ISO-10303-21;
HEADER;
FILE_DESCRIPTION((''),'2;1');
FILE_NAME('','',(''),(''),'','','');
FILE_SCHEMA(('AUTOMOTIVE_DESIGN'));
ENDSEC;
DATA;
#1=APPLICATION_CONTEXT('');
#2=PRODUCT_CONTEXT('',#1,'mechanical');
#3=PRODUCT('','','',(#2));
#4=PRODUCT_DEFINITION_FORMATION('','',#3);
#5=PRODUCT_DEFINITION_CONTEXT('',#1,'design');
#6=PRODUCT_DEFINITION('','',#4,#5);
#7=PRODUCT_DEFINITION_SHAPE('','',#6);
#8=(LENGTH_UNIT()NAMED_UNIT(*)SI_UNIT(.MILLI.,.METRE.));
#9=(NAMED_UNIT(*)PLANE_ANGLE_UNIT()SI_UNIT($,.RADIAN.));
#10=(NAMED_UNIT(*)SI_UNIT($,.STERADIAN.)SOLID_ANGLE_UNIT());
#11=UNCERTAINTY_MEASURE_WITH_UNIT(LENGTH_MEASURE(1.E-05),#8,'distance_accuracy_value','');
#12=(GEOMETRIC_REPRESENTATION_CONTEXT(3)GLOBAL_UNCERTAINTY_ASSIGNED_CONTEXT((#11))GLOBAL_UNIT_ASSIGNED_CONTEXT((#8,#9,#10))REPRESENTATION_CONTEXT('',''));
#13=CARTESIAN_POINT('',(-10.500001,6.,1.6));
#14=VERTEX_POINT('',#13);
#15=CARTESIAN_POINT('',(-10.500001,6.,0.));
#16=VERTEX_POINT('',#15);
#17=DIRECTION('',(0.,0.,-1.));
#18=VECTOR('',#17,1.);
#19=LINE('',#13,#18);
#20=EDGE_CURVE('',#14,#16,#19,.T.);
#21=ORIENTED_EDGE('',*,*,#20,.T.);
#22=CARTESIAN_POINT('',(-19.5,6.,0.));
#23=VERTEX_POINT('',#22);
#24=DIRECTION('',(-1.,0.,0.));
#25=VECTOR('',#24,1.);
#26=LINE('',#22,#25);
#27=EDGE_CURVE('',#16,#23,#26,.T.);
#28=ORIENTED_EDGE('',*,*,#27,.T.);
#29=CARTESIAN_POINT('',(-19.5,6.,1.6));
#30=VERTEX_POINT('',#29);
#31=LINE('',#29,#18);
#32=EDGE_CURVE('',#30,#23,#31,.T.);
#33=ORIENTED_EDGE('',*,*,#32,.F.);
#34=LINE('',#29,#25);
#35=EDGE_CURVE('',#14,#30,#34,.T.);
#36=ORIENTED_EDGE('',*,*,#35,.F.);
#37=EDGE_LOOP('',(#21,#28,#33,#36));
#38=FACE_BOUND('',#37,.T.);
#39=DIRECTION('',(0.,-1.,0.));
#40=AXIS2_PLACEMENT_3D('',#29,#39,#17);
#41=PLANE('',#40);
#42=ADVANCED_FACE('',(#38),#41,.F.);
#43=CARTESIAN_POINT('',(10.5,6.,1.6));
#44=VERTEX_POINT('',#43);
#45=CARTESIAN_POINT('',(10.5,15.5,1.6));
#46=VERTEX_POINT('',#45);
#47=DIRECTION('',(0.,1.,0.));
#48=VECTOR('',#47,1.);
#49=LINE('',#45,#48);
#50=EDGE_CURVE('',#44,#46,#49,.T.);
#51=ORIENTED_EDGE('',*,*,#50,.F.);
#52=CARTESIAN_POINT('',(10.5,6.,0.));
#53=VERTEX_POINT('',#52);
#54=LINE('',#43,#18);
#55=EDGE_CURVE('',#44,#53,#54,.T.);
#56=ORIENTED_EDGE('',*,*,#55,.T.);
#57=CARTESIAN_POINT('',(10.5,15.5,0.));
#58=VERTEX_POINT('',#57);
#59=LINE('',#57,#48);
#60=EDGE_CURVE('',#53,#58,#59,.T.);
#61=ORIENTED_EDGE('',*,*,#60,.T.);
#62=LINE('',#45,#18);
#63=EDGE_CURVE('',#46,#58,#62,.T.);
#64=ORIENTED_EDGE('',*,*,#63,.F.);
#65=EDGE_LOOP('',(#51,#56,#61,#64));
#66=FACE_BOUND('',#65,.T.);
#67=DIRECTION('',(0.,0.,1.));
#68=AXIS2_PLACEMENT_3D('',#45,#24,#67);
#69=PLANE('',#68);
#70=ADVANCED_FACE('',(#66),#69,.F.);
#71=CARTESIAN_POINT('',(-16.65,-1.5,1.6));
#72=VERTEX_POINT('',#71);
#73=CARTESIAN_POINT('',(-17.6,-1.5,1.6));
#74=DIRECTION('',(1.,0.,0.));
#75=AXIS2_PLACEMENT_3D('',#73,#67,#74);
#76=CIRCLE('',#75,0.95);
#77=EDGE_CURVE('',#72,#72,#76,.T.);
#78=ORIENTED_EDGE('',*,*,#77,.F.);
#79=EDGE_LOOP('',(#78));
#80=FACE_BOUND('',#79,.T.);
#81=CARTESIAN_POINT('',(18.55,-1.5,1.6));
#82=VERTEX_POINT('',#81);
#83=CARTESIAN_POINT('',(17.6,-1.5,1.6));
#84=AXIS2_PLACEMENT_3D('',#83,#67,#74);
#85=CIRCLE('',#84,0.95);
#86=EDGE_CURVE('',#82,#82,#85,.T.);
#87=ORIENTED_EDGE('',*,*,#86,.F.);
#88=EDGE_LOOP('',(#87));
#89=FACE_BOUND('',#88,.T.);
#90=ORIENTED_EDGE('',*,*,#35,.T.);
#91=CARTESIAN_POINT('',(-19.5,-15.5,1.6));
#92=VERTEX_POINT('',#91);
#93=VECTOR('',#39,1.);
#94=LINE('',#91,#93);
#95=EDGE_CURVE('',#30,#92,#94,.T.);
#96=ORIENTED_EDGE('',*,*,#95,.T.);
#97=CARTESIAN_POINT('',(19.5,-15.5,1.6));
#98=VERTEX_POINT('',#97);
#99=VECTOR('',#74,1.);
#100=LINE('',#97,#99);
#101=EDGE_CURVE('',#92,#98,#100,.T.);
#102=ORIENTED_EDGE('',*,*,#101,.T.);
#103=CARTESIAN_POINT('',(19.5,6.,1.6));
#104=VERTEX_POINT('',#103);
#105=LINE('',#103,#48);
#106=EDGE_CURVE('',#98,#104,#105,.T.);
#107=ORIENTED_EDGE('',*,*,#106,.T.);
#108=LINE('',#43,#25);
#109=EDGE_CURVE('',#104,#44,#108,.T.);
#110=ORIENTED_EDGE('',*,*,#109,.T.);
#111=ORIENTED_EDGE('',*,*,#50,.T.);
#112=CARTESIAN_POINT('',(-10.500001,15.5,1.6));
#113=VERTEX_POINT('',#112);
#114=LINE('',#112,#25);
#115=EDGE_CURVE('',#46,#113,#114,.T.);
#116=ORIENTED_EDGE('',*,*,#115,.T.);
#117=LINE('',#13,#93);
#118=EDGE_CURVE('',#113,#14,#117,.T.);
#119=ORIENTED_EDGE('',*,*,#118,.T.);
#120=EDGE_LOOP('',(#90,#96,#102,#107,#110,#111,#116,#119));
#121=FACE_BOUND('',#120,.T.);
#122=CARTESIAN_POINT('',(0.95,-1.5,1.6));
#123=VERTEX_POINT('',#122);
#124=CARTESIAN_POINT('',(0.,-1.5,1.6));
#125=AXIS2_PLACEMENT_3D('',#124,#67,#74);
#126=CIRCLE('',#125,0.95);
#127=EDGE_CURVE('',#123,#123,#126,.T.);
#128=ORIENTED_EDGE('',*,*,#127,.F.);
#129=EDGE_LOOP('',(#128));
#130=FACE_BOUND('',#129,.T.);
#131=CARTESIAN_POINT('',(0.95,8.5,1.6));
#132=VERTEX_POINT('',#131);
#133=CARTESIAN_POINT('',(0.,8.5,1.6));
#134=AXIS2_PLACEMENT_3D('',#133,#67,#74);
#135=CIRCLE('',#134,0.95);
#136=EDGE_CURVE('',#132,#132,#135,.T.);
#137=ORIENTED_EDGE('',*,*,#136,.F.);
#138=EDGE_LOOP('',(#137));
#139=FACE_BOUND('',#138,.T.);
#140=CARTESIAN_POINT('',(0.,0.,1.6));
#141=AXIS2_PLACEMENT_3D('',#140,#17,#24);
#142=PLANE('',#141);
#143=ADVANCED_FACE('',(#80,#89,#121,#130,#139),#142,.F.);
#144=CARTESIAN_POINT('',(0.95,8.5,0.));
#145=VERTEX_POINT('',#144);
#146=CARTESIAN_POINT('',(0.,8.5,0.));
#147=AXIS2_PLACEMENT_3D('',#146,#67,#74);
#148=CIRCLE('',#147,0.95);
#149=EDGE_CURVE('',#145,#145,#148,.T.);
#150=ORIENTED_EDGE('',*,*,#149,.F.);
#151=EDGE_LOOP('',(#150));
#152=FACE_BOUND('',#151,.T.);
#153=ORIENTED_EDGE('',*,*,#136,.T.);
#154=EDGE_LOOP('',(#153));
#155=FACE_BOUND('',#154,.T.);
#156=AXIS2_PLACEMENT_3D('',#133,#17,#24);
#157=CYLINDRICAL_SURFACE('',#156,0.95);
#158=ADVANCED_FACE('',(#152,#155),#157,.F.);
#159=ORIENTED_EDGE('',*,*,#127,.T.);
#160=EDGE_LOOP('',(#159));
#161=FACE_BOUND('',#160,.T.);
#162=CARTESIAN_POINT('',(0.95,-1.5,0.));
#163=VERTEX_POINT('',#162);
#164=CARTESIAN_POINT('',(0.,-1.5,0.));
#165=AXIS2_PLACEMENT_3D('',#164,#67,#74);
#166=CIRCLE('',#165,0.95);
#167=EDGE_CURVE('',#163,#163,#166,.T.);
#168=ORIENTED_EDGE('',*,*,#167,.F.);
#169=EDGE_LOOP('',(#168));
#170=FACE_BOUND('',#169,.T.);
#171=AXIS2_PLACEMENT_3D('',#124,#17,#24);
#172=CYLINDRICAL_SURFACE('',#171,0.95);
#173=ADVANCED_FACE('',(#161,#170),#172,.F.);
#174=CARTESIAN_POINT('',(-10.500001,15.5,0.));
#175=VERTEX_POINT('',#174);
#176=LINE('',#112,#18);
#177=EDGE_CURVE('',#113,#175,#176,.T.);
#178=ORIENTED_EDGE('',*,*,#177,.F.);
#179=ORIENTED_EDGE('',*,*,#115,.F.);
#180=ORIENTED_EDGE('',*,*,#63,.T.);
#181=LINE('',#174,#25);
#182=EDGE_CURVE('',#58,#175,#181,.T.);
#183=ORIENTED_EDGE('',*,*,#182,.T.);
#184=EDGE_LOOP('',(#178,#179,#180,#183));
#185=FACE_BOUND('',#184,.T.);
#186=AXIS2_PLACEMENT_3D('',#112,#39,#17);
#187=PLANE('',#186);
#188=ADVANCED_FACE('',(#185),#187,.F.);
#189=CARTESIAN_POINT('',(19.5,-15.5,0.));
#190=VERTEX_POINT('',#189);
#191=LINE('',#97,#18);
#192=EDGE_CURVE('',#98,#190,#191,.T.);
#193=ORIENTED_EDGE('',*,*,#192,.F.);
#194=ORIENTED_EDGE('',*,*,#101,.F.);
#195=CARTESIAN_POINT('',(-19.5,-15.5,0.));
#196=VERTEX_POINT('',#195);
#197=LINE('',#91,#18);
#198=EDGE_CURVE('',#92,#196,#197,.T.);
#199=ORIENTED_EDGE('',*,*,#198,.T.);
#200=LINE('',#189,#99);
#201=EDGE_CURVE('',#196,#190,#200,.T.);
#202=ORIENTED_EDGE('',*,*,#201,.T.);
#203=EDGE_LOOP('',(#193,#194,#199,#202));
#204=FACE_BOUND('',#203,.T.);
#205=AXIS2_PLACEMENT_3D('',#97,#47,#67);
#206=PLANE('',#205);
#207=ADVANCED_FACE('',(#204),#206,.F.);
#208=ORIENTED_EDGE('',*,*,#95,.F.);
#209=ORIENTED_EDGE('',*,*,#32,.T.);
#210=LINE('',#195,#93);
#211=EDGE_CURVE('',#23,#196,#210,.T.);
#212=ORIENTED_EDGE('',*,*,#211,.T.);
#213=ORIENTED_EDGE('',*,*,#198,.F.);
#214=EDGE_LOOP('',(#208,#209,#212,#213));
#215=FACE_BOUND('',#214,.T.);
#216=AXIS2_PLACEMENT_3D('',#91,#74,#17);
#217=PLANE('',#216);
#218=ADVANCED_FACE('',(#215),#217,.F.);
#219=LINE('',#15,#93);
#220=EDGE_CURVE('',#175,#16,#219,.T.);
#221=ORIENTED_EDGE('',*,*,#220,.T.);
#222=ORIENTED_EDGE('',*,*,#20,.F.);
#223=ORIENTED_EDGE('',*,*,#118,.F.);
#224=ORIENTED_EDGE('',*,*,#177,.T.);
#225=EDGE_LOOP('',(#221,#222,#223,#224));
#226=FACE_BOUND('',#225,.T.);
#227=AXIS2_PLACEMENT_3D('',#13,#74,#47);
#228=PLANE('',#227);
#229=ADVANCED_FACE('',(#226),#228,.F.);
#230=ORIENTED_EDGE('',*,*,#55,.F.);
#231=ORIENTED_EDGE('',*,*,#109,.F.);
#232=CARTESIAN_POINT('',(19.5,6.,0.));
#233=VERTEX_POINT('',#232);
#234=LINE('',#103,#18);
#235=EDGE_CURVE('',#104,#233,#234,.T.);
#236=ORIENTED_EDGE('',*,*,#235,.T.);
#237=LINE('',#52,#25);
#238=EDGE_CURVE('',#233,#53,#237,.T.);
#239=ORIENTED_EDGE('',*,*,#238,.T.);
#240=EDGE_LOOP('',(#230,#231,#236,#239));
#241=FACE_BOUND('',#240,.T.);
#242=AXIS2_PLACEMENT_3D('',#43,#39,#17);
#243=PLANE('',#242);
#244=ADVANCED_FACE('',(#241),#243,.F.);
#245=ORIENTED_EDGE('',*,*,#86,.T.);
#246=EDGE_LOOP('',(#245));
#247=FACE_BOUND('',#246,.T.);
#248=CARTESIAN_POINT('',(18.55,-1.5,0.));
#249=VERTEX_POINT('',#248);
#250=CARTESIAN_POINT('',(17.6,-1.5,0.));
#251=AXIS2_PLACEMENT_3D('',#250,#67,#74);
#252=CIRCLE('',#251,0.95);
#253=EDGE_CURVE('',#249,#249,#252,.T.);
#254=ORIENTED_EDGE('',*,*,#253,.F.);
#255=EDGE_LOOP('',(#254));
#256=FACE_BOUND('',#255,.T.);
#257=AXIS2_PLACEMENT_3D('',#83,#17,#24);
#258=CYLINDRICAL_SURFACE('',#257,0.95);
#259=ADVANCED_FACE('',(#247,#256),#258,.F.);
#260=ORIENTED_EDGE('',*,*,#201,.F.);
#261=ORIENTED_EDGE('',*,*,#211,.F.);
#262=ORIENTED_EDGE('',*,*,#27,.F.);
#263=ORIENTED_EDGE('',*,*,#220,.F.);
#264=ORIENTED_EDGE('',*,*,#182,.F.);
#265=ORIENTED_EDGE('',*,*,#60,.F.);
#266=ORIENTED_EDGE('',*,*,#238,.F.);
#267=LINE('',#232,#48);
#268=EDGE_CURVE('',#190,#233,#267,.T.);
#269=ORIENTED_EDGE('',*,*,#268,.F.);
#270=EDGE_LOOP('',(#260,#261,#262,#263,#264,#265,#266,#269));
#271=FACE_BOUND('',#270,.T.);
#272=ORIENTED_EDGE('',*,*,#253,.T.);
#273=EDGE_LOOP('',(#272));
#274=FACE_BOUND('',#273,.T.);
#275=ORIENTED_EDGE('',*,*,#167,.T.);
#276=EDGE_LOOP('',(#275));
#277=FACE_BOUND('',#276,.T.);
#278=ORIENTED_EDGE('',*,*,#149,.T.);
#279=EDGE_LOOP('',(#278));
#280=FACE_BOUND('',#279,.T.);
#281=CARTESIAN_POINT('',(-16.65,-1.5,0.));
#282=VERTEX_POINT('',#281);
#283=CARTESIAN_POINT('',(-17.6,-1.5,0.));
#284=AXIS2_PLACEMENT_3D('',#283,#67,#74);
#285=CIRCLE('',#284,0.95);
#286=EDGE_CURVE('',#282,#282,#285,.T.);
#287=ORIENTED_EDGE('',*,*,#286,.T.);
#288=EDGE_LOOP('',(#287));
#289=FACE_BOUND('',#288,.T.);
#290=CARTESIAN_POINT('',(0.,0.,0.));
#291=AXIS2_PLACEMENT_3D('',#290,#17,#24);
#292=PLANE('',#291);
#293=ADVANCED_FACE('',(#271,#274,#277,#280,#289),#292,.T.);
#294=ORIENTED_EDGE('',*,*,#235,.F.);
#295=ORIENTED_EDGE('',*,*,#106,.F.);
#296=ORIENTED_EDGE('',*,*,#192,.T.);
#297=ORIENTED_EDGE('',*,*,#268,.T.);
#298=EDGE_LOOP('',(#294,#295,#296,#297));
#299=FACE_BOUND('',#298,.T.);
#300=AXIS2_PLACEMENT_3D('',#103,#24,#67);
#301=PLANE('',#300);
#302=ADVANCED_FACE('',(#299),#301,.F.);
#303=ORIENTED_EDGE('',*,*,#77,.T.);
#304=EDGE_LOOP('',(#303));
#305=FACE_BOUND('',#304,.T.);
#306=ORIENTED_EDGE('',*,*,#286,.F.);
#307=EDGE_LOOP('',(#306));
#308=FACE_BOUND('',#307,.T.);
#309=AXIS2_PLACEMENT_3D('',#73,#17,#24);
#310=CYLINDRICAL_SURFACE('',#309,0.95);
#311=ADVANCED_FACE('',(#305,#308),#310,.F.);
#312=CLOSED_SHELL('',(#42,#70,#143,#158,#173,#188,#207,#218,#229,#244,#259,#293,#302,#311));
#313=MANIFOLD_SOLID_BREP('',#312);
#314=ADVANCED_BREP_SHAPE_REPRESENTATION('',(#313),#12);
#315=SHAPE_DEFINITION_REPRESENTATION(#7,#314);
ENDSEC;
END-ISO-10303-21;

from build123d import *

# Parameters (mm, degrees)
SKETCH_1_R      = 0.95
EXTRUDE_1_DEPTH = 1.6


with BuildPart() as part:
    # 草图1 → 凸台-拉伸1 (new body)
    with BuildSketch(Plane.XY):
        Polygon((-19.5, 6), (-10.500000736, 6), (-10.500000736, 15.5), (10.5, 15.5), (10.5, 6), (19.5, 6), (19.5, -15.5), (-19.5, -15.5), align=None)
        with Locations((-17.6, -1.5)):
            Circle(SKETCH_1_R, mode=Mode.SUBTRACT)
        with Locations((0, -1.5)):
            Circle(SKETCH_1_R, mode=Mode.SUBTRACT)
        with Locations((17.6, -1.5)):
            Circle(SKETCH_1_R, mode=Mode.SUBTRACT)
        with Locations((0, 8.5)):
            Circle(SKETCH_1_R, mode=Mode.SUBTRACT)
    extrude(amount=EXTRUDE_1_DEPTH)


solid = part.part
